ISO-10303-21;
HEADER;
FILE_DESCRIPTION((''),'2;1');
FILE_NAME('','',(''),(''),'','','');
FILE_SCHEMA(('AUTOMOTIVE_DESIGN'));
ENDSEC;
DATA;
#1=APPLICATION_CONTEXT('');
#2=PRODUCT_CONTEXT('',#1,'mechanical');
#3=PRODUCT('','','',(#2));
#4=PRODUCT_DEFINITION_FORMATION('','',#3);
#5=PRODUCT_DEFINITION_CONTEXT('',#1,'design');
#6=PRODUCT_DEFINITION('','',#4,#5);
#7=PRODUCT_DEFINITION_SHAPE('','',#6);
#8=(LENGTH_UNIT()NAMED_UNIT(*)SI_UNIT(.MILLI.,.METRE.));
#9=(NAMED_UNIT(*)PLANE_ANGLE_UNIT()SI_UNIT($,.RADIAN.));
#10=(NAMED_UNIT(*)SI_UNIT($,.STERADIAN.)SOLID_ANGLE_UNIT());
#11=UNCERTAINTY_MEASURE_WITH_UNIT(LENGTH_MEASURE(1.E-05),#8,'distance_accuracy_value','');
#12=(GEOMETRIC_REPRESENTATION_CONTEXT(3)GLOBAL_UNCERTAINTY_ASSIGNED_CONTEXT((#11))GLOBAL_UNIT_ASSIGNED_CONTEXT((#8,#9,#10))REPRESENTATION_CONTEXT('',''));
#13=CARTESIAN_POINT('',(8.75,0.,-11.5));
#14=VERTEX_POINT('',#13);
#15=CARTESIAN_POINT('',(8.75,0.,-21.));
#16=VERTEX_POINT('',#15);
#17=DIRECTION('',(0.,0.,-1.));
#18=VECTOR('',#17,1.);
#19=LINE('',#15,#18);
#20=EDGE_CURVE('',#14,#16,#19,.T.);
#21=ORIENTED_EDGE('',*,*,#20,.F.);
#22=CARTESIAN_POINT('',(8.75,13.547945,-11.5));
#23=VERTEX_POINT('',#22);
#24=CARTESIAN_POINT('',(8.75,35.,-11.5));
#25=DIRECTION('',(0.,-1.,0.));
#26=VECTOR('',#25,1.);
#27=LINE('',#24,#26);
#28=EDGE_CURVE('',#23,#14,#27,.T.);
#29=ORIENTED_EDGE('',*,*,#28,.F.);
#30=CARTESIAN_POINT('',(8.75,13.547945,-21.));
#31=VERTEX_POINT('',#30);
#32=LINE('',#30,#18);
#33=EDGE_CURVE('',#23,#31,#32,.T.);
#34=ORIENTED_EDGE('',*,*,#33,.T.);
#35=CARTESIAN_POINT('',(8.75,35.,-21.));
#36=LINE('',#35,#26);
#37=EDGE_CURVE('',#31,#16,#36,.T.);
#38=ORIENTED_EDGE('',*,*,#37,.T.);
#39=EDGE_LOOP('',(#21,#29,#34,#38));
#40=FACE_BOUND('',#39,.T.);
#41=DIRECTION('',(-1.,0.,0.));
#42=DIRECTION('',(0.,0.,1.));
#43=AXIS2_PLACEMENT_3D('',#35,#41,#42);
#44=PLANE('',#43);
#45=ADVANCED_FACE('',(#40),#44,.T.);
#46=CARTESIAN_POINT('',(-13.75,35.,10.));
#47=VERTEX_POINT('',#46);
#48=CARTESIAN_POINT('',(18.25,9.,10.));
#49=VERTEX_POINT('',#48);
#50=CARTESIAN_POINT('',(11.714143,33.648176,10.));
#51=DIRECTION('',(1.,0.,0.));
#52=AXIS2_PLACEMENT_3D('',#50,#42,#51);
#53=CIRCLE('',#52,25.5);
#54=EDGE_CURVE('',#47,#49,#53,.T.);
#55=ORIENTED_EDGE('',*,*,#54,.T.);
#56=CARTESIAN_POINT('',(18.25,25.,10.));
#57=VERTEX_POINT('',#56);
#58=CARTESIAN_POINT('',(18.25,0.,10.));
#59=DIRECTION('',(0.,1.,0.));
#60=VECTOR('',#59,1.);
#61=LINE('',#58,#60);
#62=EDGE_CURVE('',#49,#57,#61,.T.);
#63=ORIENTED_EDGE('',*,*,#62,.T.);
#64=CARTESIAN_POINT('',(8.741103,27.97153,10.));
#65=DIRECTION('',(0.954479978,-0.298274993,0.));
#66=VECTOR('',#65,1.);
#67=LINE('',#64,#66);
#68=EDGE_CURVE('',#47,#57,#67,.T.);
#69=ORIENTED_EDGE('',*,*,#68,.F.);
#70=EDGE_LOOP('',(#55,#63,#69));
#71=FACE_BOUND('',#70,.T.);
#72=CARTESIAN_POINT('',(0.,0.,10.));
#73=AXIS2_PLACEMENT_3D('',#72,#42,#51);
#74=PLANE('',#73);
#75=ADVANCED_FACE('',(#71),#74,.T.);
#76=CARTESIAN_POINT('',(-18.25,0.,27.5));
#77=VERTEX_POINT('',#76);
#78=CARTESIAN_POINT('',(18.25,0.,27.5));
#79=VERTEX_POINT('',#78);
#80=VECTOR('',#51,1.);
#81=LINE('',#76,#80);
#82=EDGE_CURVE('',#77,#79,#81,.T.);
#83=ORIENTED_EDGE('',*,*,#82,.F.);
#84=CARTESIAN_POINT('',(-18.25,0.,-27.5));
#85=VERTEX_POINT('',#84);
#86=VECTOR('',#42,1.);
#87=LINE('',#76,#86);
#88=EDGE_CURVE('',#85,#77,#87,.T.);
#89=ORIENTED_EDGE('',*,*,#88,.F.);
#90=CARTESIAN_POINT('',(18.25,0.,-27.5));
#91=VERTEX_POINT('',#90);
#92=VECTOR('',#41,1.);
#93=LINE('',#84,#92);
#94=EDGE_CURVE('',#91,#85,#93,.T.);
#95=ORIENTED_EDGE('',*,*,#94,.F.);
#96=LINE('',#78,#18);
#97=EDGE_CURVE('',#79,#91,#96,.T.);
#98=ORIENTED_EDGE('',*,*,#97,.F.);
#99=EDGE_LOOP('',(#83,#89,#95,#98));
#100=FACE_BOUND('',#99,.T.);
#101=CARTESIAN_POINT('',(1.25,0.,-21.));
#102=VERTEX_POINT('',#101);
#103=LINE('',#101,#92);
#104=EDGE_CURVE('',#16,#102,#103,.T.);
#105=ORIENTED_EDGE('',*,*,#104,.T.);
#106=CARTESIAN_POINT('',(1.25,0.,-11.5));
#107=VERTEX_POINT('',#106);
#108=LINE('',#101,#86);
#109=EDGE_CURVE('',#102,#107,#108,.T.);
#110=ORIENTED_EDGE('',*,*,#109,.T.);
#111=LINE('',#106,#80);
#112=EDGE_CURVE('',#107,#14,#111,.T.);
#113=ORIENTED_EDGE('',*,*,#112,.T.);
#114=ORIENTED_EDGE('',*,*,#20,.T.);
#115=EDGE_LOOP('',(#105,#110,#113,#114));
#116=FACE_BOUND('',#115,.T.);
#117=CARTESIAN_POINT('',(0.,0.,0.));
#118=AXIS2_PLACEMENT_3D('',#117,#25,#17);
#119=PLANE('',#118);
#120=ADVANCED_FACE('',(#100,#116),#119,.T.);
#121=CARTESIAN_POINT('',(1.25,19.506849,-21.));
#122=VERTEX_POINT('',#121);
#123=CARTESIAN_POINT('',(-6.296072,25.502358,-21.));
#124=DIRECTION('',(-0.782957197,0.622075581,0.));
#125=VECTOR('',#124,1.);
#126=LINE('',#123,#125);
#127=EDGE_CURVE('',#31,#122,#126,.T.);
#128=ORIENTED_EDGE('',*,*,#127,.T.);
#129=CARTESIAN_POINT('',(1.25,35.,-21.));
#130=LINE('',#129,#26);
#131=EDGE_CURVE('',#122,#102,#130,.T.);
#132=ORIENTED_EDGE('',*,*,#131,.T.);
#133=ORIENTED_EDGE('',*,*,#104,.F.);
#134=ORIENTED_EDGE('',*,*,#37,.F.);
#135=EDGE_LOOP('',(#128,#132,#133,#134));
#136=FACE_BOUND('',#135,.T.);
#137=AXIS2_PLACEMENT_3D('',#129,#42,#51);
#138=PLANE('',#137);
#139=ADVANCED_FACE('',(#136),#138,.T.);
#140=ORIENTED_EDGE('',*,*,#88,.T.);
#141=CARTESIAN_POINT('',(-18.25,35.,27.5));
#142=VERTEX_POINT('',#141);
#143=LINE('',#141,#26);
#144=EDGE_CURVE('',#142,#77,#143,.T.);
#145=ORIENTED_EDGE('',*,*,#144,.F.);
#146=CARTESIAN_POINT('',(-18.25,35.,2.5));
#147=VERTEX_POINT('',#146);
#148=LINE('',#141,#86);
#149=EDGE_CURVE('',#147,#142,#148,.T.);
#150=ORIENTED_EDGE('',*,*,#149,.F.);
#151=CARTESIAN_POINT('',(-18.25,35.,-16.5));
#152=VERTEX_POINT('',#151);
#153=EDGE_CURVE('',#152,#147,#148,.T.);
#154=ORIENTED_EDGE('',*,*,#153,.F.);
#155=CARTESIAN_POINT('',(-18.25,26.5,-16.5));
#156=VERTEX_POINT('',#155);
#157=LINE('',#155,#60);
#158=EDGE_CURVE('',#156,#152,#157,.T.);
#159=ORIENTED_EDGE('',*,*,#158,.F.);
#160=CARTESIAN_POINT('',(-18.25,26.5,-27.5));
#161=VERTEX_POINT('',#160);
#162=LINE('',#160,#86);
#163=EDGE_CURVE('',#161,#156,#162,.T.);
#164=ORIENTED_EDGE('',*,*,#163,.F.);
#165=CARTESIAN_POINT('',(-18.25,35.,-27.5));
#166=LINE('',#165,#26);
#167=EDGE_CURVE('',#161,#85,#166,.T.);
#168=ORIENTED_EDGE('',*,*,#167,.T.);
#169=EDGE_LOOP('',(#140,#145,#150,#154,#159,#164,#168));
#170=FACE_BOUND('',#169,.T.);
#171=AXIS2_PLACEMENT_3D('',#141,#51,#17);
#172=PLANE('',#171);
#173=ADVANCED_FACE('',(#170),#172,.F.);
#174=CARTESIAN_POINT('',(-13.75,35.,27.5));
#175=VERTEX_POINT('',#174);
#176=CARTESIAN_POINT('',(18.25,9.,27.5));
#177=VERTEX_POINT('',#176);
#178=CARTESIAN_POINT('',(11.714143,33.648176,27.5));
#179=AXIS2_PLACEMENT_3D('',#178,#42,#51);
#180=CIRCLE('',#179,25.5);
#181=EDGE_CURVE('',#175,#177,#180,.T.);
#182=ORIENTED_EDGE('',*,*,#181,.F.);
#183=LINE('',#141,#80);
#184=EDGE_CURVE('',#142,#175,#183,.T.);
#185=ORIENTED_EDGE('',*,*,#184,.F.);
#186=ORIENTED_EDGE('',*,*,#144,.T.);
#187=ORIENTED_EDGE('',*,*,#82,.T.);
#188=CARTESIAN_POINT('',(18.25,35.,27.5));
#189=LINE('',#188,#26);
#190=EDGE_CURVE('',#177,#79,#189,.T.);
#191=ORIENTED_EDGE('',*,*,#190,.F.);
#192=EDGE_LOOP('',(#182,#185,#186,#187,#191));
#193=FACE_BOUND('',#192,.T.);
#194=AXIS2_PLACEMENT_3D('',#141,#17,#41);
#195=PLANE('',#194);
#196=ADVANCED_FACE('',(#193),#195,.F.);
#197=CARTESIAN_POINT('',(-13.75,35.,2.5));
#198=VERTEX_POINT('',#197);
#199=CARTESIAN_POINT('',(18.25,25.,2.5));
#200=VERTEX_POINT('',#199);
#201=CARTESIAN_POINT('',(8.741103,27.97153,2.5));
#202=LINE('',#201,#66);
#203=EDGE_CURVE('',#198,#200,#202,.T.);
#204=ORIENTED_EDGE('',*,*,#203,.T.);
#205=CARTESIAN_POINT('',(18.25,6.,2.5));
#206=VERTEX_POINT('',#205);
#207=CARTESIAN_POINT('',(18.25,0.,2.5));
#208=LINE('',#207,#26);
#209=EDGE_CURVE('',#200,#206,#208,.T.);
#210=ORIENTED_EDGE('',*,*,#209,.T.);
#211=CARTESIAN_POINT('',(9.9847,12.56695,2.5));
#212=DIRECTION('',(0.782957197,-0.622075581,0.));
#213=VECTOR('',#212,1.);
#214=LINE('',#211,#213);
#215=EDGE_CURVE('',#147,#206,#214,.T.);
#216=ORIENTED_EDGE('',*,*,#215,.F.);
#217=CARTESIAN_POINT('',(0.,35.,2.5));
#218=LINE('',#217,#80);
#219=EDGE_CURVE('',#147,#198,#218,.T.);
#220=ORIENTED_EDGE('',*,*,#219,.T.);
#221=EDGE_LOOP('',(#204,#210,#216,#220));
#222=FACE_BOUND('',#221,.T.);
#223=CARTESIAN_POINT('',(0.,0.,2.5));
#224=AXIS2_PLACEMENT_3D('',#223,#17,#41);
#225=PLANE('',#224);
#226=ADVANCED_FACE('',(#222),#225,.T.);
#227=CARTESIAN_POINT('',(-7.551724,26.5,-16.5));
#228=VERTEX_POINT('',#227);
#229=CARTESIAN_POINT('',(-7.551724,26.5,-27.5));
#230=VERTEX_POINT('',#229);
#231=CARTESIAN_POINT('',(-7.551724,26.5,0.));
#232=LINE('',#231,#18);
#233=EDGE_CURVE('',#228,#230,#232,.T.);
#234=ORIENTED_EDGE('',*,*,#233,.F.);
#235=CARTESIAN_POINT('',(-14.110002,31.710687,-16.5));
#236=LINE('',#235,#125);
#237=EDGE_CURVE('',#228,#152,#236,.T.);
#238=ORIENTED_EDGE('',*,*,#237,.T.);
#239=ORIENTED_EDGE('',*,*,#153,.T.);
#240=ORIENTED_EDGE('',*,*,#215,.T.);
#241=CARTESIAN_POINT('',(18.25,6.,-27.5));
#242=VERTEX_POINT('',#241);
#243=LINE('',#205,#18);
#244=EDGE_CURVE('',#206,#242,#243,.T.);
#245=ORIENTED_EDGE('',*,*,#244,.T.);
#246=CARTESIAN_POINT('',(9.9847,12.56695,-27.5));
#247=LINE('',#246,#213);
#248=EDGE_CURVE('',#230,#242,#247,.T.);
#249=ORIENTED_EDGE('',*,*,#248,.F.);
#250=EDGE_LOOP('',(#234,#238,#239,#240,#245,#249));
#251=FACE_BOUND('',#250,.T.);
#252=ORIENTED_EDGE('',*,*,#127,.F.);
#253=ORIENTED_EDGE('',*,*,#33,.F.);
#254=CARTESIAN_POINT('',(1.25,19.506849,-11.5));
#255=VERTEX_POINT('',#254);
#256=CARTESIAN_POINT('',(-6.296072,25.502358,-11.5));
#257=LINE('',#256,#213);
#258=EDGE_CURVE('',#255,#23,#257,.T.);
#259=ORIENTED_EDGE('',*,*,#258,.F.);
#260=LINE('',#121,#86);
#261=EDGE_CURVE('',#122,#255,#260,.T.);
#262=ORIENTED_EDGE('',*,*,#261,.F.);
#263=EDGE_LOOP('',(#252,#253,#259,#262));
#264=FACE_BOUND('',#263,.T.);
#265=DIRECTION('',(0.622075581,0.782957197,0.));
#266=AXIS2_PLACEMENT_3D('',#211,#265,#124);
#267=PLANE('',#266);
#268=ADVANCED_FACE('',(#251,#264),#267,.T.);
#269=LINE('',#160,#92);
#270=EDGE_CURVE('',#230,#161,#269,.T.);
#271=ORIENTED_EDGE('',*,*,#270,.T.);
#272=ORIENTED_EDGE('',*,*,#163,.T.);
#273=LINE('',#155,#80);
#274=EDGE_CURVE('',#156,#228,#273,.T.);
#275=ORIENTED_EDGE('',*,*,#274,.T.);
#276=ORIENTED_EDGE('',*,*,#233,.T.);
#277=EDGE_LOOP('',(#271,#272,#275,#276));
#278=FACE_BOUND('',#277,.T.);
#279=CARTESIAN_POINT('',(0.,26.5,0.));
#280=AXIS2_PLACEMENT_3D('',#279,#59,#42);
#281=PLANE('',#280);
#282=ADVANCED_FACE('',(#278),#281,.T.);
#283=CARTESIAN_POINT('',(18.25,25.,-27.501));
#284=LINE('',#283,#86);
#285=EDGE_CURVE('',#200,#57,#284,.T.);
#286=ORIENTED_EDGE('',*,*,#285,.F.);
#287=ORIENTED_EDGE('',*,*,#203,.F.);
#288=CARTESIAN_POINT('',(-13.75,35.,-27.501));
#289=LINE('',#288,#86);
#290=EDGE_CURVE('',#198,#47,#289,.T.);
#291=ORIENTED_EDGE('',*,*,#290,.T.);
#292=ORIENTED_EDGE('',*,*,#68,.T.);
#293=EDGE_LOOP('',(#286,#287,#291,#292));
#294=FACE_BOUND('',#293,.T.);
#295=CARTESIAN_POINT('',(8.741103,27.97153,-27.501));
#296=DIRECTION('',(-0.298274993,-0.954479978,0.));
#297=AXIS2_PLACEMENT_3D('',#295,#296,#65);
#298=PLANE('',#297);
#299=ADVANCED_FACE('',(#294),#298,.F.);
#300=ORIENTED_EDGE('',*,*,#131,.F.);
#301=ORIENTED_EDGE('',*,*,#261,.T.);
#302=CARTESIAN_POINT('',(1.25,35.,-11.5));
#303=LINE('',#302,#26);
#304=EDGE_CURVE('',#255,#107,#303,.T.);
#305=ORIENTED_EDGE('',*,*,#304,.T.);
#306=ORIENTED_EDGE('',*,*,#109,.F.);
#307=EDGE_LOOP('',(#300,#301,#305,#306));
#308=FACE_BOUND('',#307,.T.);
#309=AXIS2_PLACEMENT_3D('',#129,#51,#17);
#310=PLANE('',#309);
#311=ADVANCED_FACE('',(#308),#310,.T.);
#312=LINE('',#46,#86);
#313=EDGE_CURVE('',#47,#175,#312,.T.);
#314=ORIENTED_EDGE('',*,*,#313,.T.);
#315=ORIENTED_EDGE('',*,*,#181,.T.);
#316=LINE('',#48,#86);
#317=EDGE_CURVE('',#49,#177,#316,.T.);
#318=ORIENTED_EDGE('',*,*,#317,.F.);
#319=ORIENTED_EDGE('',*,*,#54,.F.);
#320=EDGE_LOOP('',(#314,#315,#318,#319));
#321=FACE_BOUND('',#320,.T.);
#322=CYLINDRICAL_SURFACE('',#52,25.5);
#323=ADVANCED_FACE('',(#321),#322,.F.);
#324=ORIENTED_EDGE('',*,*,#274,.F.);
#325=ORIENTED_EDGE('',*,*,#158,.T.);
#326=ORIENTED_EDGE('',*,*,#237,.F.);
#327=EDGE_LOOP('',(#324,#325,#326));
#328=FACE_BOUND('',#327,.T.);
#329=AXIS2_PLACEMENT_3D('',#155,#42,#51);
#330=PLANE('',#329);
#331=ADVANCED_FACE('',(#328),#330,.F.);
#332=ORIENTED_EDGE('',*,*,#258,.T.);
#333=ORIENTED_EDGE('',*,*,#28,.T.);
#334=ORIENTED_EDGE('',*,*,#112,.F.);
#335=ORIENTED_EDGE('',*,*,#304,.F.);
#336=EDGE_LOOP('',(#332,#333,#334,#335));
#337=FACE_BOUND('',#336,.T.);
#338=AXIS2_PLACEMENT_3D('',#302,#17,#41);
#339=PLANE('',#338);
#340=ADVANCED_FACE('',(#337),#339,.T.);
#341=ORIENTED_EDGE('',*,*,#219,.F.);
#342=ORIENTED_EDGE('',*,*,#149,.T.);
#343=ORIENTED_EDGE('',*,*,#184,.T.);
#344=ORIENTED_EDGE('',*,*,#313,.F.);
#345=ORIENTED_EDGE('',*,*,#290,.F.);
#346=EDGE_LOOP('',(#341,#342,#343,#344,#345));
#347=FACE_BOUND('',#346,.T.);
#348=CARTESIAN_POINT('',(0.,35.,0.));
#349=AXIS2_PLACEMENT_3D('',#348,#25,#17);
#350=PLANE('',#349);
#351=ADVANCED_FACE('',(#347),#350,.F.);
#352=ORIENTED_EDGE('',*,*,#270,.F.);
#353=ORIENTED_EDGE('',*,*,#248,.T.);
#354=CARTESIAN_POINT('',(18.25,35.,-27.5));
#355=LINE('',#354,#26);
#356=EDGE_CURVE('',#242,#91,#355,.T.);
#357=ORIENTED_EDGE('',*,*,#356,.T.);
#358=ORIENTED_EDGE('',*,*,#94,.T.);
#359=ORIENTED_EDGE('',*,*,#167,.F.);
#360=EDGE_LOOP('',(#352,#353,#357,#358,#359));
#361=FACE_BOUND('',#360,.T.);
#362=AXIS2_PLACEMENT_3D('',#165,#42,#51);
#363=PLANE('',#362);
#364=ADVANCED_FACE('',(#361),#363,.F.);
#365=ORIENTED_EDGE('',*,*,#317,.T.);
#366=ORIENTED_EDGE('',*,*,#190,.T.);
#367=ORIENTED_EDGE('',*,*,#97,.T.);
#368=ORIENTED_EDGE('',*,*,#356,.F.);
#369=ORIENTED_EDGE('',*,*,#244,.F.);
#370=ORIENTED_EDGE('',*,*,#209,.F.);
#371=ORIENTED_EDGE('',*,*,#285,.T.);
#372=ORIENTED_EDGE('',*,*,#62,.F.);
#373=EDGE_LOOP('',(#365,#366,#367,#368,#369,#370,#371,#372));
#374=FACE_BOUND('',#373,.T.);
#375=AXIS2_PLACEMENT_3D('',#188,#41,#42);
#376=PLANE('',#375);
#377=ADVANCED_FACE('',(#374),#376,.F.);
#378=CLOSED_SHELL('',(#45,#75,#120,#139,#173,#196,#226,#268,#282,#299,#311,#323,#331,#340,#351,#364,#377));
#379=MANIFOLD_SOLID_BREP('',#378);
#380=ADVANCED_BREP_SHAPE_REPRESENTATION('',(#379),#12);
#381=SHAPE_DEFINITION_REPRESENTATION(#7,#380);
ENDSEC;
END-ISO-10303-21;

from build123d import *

# Parameters (mm, degrees)
SKETCH1_W           = 36.5
SKETCH1_H           = 55
SKETCH1_W_2         = 7.5
SKETCH1_H_2         = 9.5
BOSS_EXTRUDE1_DEPTH = 35
SKETCH3_W           = 11
SKETCH3_H           = 11
CUT_EXTRUDE2_DEPTH  = 8.5
CUT_EXTRUDE1_DEPTH  = 30
CUT_EXTRUDE3_DEPTH  = 17.5
CUT_EXTRUDE4_REACH  = 39.5


with BuildPart() as part:
    # Sketch1 → Boss-Extrude1 (new body)
    with BuildSketch(Plane(origin=(0, 0, 0), x_dir=(1, 0, 0), z_dir=(0, 1, 0))):
        Rectangle(SKETCH1_W, SKETCH1_H)
        with Locations((5, 16.25)):
            Rectangle(SKETCH1_W_2, SKETCH1_H_2, mode=Mode.SUBTRACT)
    extrude(amount=BOSS_EXTRUDE1_DEPTH)

    # Sketch3 → Cut-Extrude2 (cut)
    with BuildSketch(Plane(origin=(0, 35, 0), x_dir=(1, 0, 0), z_dir=(0, 1, 0))):
        with Locations((-12.75, 22)):
            Rectangle(SKETCH3_W, SKETCH3_H)
    extrude(amount=-CUT_EXTRUDE2_DEPTH, mode=Mode.SUBTRACT)

    # Sketch2 → Cut-Extrude1 (cut)
    with BuildSketch(Plane(origin=(0, 0, -27.5), x_dir=(-1, 0, 0), z_dir=(0, 0, -1))):
        Polygon((7.551724138, 26.5), (18.25, 35), (7.25, 35), (7.25, 26.5), align=None)
        Polygon((-18.25, 6), (7.551724138, 26.5), (7.25, 26.5), (7.25, 35), (-18.25, 35), align=None)
    extrude(amount=-CUT_EXTRUDE1_DEPTH, mode=Mode.SUBTRACT)

    # Sketch4 → Cut-Extrude3 (cut)
    with BuildSketch(Plane.XY.offset(27.5)):
        with BuildLine():
            ThreePointArc((-13.75, 35), (-4.365969084, 13.85726882), (18.25, 9))
            Line((18.25, 9), (18.25, 35))
            Line((18.25, 35), (-13.75, 35))
        make_face()
    extrude(amount=-CUT_EXTRUDE3_DEPTH, mode=Mode.SUBTRACT)

    # Sketch5 → Cut-Extrude4 (cut, up to next)
    with BuildSketch(Plane.XY.offset(10), mode=Mode.PRIVATE) as cut_extrude4_sk1:
        Polygon((18.25, 35), (-13.75, 35), (18.25, 25), align=None)
    cut_extrude4_tool1 = extrude(cut_extrude4_sk1.sketch, amount=-CUT_EXTRUDE4_REACH, mode=Mode.PRIVATE) & part.part
    add(cut_extrude4_tool1.solids().sort_by_distance((7.583333, 31.666667, 10))[0], mode=Mode.SUBTRACT)


solid = part.part
